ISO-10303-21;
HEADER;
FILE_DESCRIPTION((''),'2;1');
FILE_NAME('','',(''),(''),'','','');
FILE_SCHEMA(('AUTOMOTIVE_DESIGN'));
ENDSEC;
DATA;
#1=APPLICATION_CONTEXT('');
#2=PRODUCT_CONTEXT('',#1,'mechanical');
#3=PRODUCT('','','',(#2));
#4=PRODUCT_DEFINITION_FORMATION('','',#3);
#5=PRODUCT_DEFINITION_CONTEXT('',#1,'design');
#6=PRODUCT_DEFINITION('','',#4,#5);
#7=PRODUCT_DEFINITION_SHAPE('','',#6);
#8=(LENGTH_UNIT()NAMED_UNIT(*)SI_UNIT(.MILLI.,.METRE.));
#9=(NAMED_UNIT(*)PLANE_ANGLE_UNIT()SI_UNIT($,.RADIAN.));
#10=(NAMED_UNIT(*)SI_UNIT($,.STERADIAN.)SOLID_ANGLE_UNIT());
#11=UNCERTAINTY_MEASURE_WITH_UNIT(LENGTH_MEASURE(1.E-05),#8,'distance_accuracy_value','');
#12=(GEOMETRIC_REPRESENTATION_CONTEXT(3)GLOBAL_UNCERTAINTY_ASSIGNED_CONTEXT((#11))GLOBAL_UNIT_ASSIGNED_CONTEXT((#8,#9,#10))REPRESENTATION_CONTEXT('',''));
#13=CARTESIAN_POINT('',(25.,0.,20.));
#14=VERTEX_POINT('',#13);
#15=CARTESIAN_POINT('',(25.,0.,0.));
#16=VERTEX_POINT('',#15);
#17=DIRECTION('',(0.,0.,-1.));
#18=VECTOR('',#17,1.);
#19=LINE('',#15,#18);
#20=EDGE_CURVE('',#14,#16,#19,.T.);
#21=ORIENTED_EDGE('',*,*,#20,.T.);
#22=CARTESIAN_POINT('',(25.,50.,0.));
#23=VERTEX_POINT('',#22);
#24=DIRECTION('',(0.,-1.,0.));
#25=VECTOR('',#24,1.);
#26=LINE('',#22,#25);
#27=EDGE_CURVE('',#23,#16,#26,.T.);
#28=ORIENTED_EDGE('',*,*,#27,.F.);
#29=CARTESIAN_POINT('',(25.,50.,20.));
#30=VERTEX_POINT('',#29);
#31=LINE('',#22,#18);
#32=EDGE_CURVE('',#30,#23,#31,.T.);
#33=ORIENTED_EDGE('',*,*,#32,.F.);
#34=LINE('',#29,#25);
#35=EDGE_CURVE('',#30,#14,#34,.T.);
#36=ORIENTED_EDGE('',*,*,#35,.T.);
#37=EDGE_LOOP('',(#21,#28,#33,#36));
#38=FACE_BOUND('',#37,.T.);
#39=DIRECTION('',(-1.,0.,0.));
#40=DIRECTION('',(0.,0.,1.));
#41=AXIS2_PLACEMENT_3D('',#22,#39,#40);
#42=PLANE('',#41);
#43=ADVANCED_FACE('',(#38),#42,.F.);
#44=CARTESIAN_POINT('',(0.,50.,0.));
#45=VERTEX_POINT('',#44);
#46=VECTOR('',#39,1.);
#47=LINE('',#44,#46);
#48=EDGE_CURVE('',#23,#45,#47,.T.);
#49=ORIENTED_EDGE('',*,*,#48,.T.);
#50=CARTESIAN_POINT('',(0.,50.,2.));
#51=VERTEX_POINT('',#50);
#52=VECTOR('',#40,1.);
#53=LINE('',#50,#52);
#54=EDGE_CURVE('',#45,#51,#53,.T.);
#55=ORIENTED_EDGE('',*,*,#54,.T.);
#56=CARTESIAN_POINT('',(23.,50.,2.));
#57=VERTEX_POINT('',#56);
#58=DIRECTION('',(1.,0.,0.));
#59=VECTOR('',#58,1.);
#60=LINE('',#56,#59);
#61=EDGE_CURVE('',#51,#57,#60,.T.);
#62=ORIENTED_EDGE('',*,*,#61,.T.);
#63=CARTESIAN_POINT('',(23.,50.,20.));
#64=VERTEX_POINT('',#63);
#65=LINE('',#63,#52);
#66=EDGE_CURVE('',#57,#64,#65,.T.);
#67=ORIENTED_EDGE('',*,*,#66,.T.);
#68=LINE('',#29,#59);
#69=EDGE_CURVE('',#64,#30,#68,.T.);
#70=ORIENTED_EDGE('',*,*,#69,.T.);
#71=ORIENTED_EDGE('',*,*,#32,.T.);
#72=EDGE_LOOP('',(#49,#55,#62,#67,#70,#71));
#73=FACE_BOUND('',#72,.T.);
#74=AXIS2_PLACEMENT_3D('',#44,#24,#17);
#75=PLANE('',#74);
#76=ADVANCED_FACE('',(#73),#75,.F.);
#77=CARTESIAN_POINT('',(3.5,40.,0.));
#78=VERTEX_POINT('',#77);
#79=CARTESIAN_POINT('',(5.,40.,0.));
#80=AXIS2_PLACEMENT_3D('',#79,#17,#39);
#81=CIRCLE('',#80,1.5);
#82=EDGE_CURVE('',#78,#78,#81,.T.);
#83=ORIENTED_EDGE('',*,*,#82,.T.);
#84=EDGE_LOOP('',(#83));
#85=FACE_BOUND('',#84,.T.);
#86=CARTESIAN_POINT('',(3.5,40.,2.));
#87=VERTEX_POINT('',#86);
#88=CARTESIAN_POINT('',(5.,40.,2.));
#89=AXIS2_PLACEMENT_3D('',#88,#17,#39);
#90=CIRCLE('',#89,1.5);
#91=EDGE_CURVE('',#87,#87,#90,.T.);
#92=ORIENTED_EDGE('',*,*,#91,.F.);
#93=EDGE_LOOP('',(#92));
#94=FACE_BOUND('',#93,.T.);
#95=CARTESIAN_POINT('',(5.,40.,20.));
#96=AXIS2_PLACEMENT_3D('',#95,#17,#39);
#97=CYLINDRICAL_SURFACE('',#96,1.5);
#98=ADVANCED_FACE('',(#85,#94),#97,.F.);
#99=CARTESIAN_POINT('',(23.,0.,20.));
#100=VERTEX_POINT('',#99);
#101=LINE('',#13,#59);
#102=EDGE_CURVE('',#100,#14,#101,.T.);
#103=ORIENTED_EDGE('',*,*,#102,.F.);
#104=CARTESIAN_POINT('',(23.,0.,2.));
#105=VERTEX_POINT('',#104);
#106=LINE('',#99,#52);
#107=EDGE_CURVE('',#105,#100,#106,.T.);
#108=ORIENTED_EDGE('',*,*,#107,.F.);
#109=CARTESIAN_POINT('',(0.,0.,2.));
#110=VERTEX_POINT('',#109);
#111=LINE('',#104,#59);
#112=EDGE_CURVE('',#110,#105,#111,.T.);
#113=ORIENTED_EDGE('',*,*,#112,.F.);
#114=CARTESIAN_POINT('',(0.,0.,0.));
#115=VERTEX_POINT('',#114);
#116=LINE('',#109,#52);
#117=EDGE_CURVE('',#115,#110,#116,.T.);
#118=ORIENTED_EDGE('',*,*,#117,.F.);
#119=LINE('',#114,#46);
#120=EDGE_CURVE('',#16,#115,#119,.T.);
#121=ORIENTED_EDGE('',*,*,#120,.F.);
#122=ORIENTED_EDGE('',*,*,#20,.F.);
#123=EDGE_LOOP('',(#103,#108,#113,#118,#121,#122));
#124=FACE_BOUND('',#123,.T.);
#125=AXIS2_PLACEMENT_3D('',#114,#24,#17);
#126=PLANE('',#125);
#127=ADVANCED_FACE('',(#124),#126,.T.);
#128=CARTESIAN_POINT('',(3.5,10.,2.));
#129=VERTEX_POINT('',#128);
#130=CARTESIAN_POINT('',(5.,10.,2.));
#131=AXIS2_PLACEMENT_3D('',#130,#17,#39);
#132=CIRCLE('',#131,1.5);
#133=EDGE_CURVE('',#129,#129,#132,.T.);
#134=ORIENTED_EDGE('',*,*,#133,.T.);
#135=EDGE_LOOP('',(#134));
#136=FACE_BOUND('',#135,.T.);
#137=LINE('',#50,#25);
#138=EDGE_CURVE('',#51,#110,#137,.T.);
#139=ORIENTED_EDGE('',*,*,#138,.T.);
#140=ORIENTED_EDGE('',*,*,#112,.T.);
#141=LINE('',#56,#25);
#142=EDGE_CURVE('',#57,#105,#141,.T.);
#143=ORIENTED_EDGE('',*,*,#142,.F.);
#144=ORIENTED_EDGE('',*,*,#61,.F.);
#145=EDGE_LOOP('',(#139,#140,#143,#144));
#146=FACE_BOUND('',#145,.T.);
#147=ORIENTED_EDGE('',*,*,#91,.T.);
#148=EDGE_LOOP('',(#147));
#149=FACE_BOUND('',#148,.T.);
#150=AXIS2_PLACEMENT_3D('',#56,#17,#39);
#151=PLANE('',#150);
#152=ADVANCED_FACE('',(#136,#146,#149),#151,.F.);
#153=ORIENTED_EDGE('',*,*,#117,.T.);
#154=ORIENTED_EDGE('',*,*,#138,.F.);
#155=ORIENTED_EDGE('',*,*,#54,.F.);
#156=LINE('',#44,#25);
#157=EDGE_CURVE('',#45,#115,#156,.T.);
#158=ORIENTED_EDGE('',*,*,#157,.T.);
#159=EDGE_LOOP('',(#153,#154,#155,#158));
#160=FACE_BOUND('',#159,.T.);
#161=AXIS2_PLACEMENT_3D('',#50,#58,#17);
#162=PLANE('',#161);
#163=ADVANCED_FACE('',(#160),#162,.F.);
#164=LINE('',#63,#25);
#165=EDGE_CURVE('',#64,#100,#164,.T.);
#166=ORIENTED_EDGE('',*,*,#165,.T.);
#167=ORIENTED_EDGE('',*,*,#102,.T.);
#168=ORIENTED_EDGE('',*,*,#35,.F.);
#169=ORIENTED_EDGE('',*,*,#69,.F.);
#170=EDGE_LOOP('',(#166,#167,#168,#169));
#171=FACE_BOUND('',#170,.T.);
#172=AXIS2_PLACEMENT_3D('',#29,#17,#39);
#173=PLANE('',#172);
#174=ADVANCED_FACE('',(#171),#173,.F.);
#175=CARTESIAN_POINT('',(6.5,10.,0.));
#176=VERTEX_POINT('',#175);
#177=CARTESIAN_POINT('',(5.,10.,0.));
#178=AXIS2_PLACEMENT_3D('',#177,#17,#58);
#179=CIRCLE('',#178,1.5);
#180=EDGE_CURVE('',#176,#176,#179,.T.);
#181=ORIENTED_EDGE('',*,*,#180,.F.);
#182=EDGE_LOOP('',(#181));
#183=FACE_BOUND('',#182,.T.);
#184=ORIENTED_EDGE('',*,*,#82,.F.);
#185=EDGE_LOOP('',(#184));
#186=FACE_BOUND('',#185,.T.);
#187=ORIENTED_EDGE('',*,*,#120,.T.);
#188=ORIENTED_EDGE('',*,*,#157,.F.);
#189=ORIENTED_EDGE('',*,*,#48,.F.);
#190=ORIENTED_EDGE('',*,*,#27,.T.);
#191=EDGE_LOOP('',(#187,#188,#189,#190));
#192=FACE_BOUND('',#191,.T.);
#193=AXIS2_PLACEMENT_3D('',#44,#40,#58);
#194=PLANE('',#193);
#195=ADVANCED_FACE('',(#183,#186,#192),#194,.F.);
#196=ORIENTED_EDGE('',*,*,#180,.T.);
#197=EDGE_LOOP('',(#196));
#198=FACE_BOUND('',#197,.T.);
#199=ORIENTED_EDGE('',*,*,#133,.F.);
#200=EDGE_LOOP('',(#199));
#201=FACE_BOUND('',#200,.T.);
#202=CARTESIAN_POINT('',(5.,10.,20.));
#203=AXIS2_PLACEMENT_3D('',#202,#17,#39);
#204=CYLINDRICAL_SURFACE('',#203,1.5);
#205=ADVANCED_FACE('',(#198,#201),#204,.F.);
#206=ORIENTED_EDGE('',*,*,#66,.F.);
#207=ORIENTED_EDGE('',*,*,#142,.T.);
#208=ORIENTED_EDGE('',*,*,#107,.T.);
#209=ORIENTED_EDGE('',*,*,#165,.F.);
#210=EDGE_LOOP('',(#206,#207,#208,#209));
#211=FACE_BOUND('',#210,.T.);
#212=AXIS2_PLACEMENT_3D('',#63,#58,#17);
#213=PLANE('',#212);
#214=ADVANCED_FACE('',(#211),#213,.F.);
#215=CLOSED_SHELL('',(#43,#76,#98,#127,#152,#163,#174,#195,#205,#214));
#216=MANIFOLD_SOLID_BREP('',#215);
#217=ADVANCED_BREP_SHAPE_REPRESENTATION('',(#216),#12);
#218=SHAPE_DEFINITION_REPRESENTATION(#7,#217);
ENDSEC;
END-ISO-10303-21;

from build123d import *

# Parameters (mm, degrees)
BOSS_EXTRUDE1_DEPTH = 50
SKETCH2_R           = 1.5
CUT_EXTRUDE1_DEPTH  = 60.371710435


with BuildPart() as part:
    # Sketch1 → Boss-Extrude1 (new body)
    with BuildSketch(Plane(origin=(0, 0, 0), x_dir=(1, 0, 0), z_dir=(0, 1, 0))):
        Polygon((0, 0), (25, 0), (25, -20), (23, -20), (23, -2), (0, -2), align=None)
    extrude(amount=BOSS_EXTRUDE1_DEPTH)

    # Sketch2 → Cut-Extrude1 (cut, through all)
    with BuildSketch(Plane(origin=(0, 0, 0), x_dir=(-1, 0, 0), z_dir=(0, 0, -1))):
        with Locations((-5, 40)):
            Circle(SKETCH2_R)
        with Locations((-5, 10)):
            Circle(SKETCH2_R)
    extrude(amount=-CUT_EXTRUDE1_DEPTH, mode=Mode.SUBTRACT)


solid = part.part
